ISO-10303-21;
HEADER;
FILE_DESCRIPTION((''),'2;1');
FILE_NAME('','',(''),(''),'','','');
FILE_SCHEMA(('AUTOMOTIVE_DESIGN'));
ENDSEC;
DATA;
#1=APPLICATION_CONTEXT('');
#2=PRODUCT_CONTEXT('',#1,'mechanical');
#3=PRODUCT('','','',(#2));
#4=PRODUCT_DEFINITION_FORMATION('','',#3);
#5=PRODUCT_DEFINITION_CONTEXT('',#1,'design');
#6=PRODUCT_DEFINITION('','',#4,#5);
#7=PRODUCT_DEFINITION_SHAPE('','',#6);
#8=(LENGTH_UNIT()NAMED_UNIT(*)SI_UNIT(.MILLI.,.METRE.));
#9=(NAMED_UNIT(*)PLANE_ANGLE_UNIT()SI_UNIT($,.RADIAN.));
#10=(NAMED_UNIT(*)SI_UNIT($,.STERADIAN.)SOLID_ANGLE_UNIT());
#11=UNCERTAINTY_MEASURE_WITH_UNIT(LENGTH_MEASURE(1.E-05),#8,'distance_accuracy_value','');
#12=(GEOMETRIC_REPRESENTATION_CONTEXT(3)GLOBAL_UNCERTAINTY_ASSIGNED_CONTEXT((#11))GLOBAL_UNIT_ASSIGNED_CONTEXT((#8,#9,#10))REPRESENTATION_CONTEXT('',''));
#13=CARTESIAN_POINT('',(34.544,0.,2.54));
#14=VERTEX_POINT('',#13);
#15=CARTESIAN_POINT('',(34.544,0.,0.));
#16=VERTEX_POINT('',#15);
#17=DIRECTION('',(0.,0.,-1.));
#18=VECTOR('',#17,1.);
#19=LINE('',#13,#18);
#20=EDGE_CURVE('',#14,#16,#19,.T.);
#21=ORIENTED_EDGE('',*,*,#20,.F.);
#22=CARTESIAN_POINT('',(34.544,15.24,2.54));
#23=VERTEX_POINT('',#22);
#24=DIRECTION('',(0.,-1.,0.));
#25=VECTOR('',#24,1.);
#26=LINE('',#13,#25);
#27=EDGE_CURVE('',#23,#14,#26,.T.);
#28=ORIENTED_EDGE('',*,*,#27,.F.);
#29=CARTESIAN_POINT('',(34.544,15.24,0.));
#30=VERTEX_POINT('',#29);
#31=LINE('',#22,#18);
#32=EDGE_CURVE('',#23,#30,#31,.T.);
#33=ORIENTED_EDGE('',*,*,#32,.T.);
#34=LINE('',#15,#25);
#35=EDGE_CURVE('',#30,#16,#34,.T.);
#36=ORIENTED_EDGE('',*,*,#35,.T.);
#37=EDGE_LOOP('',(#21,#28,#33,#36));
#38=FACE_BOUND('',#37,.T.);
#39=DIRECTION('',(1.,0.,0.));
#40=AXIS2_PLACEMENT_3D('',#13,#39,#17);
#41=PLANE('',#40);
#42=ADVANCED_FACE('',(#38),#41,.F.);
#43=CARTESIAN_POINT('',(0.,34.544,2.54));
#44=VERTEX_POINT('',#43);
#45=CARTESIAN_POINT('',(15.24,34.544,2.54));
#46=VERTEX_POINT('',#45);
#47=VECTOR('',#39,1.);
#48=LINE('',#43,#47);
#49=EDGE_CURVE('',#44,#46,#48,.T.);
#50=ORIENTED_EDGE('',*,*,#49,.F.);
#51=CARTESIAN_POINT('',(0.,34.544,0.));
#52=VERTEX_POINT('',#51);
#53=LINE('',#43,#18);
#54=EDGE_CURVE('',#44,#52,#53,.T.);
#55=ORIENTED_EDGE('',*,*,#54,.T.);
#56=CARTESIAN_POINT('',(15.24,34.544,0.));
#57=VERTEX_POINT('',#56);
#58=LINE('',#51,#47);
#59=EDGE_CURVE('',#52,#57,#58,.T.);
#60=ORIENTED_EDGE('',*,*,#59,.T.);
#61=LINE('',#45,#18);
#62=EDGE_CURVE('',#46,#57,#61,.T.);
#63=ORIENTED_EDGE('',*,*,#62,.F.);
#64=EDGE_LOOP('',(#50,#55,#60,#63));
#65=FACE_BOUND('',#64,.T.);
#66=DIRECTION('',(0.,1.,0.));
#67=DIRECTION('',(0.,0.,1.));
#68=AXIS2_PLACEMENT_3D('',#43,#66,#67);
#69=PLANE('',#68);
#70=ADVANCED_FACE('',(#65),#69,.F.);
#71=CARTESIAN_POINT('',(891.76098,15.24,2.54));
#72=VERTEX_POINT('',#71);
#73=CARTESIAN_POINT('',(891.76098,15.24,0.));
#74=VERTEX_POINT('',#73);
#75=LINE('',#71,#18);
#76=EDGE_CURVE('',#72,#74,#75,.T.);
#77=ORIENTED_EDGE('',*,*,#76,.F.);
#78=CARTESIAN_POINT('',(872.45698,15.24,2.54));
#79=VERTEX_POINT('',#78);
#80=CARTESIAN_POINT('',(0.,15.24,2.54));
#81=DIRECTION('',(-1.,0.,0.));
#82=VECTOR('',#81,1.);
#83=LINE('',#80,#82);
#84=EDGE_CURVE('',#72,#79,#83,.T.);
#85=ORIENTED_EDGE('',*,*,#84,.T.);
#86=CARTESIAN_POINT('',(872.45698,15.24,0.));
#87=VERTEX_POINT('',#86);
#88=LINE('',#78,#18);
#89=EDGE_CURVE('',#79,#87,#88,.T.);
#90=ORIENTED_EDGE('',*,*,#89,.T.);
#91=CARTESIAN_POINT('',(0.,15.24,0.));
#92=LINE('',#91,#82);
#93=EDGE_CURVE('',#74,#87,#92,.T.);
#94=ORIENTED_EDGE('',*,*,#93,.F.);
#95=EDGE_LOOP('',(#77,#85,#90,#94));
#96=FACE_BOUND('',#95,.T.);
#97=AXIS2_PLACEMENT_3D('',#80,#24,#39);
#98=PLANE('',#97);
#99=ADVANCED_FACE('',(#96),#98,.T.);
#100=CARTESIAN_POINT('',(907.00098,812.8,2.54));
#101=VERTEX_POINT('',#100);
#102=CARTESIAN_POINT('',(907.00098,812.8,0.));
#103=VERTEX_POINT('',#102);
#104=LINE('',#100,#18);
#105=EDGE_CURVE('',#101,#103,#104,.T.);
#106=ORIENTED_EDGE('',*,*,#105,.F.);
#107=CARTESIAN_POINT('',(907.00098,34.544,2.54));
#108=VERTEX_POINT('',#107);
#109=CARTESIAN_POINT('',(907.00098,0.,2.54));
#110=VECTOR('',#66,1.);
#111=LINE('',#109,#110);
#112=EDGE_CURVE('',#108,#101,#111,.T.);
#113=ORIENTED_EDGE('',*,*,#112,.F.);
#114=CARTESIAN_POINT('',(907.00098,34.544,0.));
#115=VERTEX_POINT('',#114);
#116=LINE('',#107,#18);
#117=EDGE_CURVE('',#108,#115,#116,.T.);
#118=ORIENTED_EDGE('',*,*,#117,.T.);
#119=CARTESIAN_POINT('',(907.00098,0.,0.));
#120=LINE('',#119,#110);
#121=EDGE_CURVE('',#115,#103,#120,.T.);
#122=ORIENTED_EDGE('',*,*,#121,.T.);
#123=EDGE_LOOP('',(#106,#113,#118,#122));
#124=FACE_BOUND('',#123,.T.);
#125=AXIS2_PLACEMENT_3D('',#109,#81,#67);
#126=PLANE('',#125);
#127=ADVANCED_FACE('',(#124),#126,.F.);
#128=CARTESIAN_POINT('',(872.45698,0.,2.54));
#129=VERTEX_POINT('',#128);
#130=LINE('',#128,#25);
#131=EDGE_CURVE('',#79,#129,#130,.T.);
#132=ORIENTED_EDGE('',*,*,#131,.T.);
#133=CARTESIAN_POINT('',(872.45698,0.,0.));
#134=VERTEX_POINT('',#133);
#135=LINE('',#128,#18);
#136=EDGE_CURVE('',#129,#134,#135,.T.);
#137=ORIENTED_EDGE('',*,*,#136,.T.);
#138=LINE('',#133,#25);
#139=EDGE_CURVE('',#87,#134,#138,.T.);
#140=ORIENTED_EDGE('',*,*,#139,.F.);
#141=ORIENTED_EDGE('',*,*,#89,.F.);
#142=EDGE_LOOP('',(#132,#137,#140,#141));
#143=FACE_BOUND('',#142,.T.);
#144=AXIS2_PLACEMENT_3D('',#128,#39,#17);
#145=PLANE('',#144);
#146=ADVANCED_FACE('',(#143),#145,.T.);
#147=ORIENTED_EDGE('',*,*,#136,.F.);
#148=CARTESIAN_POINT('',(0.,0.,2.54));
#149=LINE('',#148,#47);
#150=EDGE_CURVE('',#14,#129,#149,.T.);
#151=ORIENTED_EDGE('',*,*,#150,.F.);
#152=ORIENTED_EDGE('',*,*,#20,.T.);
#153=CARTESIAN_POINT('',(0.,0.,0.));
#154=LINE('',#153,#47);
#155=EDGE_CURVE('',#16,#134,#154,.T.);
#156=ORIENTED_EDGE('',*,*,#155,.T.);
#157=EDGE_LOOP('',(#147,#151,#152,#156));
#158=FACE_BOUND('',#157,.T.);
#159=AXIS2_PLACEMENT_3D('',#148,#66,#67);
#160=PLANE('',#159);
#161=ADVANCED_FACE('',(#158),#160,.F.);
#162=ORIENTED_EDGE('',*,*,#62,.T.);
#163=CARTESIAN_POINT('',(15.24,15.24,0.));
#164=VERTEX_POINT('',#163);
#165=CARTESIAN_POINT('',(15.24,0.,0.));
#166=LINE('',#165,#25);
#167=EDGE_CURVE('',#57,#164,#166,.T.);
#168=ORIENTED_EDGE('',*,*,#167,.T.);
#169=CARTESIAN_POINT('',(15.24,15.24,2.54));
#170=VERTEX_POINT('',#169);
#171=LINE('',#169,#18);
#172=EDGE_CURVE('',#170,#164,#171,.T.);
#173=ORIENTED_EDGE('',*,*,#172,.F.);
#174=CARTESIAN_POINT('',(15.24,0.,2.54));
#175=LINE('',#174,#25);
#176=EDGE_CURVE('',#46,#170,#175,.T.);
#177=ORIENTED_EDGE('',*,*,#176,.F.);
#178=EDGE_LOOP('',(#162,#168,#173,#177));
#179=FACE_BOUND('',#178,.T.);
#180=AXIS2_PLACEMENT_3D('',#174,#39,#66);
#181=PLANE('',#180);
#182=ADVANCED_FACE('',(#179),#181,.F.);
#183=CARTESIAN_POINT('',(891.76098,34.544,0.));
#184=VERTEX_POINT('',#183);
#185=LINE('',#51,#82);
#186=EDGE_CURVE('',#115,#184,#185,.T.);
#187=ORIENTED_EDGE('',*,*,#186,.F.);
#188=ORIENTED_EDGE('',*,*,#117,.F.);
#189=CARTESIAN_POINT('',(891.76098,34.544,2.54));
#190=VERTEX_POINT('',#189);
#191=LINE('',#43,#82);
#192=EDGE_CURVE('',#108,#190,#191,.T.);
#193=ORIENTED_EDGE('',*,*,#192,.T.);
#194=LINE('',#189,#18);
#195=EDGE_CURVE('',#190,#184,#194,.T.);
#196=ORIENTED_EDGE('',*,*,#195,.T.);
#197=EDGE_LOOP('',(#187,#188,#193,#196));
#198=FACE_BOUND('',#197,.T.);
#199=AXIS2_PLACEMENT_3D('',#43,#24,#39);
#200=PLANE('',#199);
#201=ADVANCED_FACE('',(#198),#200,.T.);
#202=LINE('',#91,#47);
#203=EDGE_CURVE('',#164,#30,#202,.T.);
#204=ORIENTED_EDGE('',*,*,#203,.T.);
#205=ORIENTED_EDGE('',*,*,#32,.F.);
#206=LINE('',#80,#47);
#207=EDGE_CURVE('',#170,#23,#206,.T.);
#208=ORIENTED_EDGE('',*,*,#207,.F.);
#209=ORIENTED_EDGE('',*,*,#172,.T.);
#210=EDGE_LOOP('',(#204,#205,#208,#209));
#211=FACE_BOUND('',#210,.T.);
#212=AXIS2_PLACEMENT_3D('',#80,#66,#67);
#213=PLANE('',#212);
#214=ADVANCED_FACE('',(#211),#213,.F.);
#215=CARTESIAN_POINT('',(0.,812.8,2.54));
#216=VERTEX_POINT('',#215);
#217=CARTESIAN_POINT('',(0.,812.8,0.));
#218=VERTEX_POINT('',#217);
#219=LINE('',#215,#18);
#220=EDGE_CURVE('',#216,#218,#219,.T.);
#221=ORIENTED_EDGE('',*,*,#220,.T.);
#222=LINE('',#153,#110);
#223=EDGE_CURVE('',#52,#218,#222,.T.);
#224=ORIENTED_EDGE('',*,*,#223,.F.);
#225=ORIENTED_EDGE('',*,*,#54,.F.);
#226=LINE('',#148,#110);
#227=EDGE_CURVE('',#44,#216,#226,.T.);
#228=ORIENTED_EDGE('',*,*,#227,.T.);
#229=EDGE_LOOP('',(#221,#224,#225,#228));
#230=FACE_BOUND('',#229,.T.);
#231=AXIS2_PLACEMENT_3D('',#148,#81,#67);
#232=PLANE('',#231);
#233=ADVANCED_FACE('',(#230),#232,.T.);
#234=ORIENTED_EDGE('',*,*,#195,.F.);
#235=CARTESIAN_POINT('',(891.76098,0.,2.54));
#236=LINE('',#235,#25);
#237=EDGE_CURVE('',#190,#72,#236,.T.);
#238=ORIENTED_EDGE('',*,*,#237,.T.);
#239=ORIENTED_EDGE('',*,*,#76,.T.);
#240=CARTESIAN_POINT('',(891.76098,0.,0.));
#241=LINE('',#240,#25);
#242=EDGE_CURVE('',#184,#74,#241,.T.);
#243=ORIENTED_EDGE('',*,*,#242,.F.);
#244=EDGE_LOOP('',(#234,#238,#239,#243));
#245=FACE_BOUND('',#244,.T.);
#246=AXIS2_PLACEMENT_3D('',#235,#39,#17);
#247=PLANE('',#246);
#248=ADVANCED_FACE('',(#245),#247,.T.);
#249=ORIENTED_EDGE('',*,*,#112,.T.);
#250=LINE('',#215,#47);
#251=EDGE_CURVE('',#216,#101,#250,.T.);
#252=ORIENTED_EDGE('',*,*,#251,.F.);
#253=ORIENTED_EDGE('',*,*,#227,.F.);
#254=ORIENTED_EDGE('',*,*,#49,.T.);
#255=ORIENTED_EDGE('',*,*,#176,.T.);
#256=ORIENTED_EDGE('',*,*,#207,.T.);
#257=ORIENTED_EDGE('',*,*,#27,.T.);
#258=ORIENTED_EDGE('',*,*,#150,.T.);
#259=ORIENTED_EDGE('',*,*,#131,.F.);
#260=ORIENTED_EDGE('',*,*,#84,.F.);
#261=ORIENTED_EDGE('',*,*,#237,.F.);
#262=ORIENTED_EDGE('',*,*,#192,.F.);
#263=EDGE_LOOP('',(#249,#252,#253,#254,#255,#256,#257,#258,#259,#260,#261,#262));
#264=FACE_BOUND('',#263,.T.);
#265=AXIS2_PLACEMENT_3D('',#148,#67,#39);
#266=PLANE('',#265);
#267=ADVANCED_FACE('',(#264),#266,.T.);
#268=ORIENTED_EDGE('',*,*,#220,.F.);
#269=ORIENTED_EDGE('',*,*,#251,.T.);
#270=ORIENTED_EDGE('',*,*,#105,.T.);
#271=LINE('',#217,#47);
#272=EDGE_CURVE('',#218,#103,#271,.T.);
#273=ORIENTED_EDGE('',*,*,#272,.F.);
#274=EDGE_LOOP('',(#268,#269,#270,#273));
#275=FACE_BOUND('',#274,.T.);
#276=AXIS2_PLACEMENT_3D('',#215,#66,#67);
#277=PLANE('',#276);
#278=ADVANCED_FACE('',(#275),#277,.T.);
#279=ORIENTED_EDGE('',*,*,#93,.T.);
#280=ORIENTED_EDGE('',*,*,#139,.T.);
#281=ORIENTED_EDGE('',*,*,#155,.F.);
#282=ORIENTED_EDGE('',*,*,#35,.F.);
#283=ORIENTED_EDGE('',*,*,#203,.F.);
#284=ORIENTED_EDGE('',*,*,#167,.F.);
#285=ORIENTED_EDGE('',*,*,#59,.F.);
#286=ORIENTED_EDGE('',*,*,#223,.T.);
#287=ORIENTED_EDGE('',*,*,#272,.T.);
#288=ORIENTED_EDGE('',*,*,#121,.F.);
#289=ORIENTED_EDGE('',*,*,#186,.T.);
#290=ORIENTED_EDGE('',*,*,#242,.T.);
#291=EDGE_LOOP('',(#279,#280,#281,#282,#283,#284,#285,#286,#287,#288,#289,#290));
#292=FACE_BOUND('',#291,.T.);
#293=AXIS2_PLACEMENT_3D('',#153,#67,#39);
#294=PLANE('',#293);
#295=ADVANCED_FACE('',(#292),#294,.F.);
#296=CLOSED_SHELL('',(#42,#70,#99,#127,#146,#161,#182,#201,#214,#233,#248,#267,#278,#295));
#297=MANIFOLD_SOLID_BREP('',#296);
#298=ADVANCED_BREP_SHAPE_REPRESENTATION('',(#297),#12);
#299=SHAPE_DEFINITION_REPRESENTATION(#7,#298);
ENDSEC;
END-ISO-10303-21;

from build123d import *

# Parameters (mm, degrees)
BOSS_EXTRUDE1_DEPTH = 2.54


with BuildPart() as part:
    # Sketch1 → Boss-Extrude1 (new body)
    with BuildSketch(Plane.XY):
        Polygon((0, 812.8), (0, 34.544), (15.24, 34.544), (15.24, 15.24), (34.544, 15.24), (34.544, 0), (872.45698, 0), (872.45698, 15.24), (891.76098, 15.24), (891.76098, 34.544), (907.00098, 34.544), (907.00098, 812.8), align=None)
    extrude(amount=BOSS_EXTRUDE1_DEPTH)


solid = part.part
